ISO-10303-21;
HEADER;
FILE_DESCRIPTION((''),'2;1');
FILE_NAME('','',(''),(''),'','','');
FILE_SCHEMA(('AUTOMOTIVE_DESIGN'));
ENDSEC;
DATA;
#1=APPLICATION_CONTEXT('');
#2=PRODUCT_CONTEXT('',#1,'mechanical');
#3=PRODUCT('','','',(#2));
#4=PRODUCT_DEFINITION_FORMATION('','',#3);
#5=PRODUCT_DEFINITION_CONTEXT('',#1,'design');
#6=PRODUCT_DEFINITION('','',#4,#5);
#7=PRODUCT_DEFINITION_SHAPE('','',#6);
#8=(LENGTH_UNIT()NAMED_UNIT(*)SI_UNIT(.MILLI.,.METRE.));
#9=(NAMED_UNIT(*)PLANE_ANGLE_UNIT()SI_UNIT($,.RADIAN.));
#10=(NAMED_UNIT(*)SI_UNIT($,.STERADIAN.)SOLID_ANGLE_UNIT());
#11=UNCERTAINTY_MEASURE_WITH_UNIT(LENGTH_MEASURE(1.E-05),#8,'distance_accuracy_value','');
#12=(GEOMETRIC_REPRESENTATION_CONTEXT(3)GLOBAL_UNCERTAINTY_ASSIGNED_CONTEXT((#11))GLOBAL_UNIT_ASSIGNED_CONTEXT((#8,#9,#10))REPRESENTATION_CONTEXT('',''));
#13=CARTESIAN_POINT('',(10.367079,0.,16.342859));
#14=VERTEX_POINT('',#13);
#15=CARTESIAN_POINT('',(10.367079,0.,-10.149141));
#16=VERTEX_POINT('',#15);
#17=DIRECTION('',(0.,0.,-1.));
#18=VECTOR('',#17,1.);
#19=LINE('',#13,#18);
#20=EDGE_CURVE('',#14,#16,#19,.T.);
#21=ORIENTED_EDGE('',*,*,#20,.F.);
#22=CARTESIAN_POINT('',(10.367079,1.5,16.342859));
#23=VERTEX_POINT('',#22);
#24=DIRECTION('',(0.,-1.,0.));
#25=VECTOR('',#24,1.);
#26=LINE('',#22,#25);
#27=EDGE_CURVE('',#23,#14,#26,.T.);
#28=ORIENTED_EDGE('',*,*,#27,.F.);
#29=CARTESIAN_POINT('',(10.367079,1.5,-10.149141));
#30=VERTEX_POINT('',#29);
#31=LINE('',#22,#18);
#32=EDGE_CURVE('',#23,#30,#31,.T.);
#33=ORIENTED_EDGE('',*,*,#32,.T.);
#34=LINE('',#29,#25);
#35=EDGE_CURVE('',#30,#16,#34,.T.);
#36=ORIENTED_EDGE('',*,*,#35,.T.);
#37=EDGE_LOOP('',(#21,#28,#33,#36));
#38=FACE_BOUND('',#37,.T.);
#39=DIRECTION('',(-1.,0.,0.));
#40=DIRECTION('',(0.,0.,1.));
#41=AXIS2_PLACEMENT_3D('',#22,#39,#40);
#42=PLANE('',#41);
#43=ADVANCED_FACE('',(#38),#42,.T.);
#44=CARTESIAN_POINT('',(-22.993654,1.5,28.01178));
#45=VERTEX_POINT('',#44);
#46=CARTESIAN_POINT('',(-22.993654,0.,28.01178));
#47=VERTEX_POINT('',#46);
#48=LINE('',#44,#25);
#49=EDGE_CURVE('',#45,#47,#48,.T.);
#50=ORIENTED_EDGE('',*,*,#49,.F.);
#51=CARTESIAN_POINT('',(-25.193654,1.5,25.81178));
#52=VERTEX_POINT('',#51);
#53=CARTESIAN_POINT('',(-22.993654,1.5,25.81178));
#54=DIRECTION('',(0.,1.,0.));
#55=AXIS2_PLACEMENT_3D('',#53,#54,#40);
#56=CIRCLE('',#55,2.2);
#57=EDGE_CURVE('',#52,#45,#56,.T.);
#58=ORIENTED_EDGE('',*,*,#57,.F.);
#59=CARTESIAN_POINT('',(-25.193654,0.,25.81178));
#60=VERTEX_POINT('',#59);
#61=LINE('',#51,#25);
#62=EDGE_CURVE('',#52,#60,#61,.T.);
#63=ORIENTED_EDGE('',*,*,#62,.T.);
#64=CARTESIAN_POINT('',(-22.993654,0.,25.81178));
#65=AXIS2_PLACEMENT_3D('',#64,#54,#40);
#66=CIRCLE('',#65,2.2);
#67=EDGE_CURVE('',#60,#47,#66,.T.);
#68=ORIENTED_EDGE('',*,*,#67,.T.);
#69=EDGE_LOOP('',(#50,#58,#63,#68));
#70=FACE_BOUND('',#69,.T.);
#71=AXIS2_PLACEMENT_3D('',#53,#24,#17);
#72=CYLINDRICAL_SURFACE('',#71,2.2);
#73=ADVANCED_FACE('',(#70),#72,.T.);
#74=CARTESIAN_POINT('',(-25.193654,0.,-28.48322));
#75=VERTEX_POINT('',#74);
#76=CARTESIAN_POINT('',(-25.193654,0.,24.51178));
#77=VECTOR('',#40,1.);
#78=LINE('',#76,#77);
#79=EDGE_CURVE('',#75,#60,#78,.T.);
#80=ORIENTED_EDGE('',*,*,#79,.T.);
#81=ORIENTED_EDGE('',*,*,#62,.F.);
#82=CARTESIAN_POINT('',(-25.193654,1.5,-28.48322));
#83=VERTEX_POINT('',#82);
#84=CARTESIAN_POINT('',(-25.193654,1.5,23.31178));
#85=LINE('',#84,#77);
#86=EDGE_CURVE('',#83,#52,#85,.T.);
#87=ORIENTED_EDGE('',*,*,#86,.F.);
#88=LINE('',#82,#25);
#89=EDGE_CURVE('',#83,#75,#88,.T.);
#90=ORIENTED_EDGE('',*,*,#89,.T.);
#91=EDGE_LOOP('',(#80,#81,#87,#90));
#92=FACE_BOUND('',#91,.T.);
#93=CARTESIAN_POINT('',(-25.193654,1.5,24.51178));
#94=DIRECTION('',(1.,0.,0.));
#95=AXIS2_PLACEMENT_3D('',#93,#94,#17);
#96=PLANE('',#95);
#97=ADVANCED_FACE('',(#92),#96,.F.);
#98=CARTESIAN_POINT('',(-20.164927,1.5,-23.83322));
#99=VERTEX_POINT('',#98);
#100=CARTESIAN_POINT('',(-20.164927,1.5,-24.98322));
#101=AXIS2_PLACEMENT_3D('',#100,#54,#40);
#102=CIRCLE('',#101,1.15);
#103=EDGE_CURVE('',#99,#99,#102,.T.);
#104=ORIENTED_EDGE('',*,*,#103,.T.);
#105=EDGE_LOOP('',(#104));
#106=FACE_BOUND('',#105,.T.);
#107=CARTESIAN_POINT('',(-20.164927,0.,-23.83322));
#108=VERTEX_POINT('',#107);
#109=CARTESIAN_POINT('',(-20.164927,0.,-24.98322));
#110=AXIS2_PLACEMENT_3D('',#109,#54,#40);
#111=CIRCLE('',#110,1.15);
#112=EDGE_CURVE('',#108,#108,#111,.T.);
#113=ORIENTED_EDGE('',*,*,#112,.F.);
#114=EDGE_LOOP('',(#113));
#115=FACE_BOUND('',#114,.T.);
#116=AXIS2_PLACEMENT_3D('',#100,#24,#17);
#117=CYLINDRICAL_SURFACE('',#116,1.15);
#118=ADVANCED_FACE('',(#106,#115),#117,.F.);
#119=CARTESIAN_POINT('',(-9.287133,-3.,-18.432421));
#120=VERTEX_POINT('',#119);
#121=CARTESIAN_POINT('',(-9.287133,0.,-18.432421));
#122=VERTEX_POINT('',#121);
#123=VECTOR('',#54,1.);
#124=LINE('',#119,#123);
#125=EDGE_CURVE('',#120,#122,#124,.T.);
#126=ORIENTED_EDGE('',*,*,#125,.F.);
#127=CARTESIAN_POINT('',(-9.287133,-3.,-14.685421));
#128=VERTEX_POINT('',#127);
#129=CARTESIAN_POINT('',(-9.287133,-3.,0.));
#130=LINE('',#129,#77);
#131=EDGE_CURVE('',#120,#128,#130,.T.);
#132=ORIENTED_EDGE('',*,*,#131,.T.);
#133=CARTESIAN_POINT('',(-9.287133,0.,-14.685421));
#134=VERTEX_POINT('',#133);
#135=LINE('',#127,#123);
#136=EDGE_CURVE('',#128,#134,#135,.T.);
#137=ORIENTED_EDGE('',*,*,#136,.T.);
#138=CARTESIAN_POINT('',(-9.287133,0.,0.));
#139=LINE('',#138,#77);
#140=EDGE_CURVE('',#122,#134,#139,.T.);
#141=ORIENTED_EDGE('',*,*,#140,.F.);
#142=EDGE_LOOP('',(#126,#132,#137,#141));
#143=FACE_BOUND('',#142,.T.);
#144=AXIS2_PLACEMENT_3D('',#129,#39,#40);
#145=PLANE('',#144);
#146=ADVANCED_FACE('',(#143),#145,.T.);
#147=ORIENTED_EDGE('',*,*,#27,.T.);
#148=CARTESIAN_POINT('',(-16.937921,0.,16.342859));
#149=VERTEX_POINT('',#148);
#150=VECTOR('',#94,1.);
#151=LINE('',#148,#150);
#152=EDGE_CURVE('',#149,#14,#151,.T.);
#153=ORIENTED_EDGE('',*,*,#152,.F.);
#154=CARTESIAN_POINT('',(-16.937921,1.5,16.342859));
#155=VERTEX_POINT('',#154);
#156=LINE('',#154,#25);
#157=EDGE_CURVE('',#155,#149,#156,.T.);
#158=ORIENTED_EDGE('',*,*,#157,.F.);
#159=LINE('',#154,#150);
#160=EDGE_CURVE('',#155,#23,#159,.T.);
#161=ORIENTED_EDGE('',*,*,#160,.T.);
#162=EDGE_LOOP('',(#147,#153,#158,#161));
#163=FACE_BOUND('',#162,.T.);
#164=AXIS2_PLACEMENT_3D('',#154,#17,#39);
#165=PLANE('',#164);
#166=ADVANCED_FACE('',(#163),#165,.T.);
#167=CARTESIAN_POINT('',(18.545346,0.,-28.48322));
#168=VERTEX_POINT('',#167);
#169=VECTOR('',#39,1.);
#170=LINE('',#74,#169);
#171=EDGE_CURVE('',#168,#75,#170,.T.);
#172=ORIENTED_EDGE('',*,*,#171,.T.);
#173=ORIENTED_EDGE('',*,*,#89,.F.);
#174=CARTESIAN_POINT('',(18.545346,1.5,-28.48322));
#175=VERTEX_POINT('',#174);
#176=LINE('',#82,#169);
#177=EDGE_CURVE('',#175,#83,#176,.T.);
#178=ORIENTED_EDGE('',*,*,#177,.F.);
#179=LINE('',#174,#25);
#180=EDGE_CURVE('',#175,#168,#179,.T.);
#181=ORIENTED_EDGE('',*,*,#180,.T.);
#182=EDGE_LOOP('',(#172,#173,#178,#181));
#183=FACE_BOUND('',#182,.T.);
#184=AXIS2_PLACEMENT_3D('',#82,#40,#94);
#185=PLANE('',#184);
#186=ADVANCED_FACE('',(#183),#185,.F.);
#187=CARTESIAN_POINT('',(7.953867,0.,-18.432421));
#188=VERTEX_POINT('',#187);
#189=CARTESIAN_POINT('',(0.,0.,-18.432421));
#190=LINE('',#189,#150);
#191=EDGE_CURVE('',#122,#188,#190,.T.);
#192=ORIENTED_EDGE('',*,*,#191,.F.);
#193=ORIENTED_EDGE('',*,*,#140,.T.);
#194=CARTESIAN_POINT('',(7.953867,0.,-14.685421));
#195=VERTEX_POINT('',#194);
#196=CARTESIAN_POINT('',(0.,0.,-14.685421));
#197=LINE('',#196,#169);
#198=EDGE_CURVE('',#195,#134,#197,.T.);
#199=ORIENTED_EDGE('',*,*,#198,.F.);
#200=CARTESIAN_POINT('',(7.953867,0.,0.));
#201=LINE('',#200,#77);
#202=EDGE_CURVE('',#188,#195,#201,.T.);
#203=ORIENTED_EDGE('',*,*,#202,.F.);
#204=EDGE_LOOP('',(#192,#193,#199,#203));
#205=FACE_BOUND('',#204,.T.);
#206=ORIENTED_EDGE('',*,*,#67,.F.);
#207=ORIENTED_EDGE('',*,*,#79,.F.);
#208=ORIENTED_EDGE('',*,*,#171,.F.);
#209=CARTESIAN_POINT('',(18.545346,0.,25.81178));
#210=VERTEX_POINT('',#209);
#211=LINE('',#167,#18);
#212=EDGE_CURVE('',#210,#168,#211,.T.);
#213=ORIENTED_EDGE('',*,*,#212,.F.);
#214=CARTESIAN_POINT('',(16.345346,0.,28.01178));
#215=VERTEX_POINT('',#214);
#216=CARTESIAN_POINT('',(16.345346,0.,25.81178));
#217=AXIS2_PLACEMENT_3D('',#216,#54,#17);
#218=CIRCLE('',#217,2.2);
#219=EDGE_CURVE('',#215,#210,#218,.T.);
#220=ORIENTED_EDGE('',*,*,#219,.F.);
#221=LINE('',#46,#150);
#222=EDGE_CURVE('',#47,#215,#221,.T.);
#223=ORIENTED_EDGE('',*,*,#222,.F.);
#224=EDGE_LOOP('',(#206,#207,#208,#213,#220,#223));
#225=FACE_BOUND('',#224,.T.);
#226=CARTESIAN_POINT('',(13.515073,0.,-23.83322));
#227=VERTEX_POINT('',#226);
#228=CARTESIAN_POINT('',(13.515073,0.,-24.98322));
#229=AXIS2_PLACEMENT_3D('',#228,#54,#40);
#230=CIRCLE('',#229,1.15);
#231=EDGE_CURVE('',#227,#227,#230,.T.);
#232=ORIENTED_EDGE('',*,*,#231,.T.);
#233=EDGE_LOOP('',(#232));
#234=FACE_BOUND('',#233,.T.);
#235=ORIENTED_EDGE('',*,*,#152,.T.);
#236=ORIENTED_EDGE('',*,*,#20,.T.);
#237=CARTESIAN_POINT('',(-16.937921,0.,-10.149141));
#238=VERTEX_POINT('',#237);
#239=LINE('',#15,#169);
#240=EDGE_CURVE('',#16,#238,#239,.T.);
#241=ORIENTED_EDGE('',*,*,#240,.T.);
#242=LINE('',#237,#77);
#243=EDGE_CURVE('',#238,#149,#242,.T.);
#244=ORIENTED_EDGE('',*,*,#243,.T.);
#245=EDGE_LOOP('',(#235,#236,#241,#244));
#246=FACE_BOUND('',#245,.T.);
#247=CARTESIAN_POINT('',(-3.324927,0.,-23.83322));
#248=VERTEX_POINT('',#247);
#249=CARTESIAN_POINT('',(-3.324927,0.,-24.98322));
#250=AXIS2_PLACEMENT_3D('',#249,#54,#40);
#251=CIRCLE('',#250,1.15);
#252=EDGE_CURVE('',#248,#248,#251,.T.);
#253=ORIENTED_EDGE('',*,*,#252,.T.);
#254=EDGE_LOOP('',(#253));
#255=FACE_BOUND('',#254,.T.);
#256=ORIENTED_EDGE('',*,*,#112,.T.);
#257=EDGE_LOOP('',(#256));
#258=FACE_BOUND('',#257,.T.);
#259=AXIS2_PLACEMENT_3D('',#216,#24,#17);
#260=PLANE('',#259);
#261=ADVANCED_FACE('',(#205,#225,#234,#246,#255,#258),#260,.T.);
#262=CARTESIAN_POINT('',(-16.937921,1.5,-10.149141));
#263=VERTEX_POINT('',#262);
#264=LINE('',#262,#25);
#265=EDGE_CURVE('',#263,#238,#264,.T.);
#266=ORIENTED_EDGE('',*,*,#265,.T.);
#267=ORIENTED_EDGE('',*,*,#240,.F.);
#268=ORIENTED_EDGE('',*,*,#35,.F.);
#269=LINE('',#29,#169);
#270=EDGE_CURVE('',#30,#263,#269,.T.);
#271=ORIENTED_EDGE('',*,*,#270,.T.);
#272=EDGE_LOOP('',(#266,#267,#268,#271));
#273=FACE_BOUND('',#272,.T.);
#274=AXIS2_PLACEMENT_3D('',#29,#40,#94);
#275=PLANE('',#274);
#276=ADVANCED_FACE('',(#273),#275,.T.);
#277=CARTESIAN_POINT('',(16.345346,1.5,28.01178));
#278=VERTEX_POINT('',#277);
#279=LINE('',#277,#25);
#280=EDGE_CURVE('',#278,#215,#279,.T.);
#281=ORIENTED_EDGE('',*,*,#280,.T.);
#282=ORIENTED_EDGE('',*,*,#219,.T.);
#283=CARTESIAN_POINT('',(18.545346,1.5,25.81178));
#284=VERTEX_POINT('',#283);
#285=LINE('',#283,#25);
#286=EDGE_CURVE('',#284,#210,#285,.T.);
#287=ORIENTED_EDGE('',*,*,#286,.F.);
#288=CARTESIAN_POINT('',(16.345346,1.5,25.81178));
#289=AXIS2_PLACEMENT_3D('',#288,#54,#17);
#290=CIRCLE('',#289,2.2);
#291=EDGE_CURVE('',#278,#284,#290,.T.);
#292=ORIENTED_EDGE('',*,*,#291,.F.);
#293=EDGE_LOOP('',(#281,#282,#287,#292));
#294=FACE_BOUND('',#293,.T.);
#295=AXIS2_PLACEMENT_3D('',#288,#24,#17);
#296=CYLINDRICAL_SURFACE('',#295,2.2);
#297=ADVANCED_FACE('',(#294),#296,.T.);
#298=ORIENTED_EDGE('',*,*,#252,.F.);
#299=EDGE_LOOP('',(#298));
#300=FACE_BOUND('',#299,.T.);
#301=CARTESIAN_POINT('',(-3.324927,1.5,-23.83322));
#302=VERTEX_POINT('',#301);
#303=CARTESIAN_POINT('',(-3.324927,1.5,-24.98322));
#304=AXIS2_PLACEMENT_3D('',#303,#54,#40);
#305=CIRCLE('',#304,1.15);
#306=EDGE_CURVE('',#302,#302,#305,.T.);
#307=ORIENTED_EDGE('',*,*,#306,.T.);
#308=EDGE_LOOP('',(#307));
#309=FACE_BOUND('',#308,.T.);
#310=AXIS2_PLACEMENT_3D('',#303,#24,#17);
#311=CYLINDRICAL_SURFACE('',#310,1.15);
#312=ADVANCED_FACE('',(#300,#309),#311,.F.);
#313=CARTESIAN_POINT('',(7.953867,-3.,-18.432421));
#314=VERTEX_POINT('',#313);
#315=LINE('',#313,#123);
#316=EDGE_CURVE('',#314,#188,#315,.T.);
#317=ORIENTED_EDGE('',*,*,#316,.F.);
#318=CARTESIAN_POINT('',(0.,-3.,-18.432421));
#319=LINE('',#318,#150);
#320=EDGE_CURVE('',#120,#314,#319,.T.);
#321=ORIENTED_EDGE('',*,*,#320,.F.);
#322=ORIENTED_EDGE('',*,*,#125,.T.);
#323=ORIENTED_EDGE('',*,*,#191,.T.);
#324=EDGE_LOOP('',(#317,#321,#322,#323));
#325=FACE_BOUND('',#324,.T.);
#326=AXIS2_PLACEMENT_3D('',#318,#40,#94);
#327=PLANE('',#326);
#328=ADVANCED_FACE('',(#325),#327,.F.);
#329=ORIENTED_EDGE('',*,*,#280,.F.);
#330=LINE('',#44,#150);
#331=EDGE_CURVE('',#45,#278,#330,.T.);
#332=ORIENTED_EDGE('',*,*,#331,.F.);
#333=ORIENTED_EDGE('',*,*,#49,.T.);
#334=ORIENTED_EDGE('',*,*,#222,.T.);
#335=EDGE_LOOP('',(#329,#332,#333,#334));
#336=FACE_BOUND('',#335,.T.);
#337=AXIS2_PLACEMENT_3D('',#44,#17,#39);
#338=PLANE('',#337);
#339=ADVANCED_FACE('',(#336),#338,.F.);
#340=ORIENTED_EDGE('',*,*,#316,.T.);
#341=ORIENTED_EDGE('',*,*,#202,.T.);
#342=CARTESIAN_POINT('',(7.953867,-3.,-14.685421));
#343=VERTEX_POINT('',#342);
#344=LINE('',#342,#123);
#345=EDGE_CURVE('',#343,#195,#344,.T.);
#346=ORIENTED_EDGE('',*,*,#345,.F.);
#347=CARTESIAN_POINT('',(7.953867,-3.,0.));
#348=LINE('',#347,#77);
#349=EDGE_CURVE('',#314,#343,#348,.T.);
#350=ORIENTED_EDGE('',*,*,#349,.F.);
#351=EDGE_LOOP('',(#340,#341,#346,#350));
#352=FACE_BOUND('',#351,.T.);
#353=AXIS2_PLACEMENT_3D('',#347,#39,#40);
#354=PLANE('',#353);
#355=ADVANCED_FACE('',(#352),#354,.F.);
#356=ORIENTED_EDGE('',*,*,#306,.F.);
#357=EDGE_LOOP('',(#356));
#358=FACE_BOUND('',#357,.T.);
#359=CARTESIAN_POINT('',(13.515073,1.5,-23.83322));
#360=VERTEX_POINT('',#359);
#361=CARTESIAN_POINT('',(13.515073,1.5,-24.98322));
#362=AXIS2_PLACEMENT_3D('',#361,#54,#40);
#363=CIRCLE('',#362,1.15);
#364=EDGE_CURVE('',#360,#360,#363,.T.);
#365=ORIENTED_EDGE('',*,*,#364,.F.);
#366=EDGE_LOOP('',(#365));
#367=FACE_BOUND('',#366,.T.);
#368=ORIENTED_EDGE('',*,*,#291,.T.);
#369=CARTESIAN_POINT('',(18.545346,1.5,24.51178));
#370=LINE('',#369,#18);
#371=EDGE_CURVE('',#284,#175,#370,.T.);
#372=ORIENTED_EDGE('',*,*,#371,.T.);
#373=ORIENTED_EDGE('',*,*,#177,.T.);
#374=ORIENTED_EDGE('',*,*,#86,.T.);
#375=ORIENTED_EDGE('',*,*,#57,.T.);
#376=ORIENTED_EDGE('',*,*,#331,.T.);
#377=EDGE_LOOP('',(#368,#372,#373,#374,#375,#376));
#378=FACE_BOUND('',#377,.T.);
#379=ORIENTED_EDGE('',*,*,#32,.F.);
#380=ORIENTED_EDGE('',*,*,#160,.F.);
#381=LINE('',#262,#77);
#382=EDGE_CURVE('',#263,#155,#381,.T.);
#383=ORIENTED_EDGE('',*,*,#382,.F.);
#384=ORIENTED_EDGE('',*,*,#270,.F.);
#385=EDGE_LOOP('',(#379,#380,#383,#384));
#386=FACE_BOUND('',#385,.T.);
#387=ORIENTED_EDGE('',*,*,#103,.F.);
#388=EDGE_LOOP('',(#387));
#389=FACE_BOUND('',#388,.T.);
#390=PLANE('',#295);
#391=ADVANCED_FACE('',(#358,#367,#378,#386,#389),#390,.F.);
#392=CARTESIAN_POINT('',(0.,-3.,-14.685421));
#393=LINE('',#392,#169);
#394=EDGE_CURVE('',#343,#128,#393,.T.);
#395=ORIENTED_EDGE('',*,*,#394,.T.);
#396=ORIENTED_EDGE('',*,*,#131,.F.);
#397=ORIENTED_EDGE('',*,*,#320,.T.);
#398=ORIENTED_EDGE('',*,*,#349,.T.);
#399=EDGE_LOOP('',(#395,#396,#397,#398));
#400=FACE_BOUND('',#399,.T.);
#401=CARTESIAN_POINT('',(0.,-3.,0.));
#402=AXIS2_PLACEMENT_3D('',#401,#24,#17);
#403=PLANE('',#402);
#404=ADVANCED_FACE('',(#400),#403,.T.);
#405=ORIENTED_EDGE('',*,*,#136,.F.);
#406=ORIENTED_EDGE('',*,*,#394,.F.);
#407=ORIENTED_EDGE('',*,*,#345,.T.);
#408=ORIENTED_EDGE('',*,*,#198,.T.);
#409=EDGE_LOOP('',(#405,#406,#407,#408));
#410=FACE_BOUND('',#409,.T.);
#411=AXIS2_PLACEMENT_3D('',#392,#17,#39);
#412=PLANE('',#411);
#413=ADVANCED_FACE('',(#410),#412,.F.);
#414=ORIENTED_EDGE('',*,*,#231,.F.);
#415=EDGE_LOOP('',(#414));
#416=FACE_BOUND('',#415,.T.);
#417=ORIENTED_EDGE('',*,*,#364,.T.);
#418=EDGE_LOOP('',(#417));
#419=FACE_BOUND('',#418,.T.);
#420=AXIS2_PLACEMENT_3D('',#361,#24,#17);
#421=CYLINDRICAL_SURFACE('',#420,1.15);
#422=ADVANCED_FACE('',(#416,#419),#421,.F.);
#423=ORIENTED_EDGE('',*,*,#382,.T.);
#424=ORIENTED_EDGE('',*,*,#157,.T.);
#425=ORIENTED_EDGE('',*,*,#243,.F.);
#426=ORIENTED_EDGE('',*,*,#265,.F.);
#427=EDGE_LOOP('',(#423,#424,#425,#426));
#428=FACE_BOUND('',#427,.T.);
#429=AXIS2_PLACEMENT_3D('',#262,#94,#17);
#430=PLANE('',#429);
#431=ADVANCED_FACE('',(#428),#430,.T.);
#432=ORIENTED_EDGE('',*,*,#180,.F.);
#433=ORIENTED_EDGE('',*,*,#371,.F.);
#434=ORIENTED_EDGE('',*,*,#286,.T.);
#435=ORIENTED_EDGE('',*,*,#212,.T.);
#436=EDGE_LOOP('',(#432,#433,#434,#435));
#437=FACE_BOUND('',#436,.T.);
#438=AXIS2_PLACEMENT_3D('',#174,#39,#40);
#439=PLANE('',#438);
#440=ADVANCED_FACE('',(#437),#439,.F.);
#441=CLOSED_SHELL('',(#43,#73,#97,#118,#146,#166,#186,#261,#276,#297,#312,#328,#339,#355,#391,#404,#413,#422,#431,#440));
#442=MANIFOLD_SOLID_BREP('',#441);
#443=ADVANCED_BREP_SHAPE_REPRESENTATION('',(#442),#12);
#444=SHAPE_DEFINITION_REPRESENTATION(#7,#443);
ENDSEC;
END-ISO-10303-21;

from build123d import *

# Parameters (mm, degrees)
SKETCH1_R           = 1.15
SKETCH1_W           = 27.305
SKETCH1_H           = 26.492
SKETCH1_W_2         = 27.241
SKETCH1_H_2         = 3.747
BOSS_EXTRUDE1_DEPTH = 1.5
SKETCH2_W           = 27.241
SKETCH2_H           = 3.747
BOSS_EXTRUDE2_DEPTH = 2
SKETCH3_W           = 27.241
SKETCH3_H           = 3.747
BOSS_EXTRUDE3_DEPTH = 1.5
SKETCH5_W           = 17.241
SKETCH5_H           = 3.747
BOSS_EXTRUDE4_DEPTH = 3
SKETCH6_W           = 27.241
SKETCH6_H           = 3.747
CUT_EXTRUDE1_DEPTH  = 2


with BuildPart() as part:
    # Sketch1 → Boss-Extrude1 (new body)
    with BuildSketch(Plane(origin=(0, 0, 0), x_dir=(1, 0, 0), z_dir=(0, 1, 0))):
        with BuildLine():
            Line((-25.193654123, -23.311779602), (-25.193654123, 28.483220398))
            Line((-25.193654123, 28.483220398), (18.545345877, 28.483220398))
            Line((18.545345877, 28.483220398), (18.545345877, -23.311779602))
            Line((18.545345877, -23.311779602), (18.545345877, -24.511779602))
            Line((18.545345877, -24.511779602), (18.545345877, -25.811779602))
            ThreePointArc((18.545345877, -25.811779602), (17.900980796, -27.367414521), (16.345345877, -28.011779602))
            Line((16.345345877, -28.011779602), (-22.993654123, -28.011779602))
            ThreePointArc((-22.993654123, -28.011779602), (-24.549289041, -27.367414521), (-25.193654123, -25.811779602))
            Line((-25.193654123, -25.811779602), (-25.193654123, -24.511779602))
            Line((-25.193654123, -24.511779602), (-25.193654123, -23.311779602))
        make_face()
        with Locations(Location((-20.164926555, 24.983220398, 0), (0, 0, 270))):
            Circle(SKETCH1_R, mode=Mode.SUBTRACT)
        with Locations(Location((-3.324926555, 24.983220398, 0), (0, 0, 270))):
            Circle(SKETCH1_R, mode=Mode.SUBTRACT)
        with Locations(Location((13.515073445, 24.983220398, 0), (0, 0, 270))):
            Circle(SKETCH1_R, mode=Mode.SUBTRACT)
        with Locations((-3.285420702, -3.096858745)):
            Rectangle(SKETCH1_W, SKETCH1_H, mode=Mode.SUBTRACT)
        with Locations((-0.666632566, 16.558921478)):
            Rectangle(SKETCH1_W_2, SKETCH1_H_2, mode=Mode.SUBTRACT)
    extrude(amount=BOSS_EXTRUDE1_DEPTH)



with BuildPart() as body_2:
    # Sketch2 → Boss-Extrude2 (new body)
    with BuildSketch(Plane(origin=(0, 1.5, 0), x_dir=(1, 0, 0), z_dir=(0, 1, 0))):
        with Locations((-0.666632566, 16.558921478)):
            Rectangle(SKETCH2_W, SKETCH2_H)
    extrude(amount=BOSS_EXTRUDE2_DEPTH)


with BuildPart() as part_1:
    add(part.part)

    add(body_2.part)  # Boss-Extrude3 merges body 2
    # Sketch3 → Boss-Extrude3 (add)
    with BuildSketch(Plane.XZ.offset(-1.5)):
        with Locations((-0.666632566, -16.558921478)):
            Rectangle(SKETCH3_W, SKETCH3_H)
    extrude(amount=BOSS_EXTRUDE3_DEPTH)

    # Sketch5 → Boss-Extrude4 (add)
    with BuildSketch(Plane.XZ):
        with Locations((-0.666632566, -16.558921478)):
            Rectangle(SKETCH5_W, SKETCH5_H)
    extrude(amount=BOSS_EXTRUDE4_DEPTH)

    # Sketch6 → Cut-Extrude1 (cut)
    with BuildSketch(Plane(origin=(0, 3.5, 0), x_dir=(1, 0, 0), z_dir=(0, 1, 0))):
        with Locations((-0.666632566, 16.558921478)):
            Rectangle(SKETCH6_W, SKETCH6_H)
    extrude(amount=-CUT_EXTRUDE1_DEPTH, mode=Mode.SUBTRACT)


solid = part_1.part
